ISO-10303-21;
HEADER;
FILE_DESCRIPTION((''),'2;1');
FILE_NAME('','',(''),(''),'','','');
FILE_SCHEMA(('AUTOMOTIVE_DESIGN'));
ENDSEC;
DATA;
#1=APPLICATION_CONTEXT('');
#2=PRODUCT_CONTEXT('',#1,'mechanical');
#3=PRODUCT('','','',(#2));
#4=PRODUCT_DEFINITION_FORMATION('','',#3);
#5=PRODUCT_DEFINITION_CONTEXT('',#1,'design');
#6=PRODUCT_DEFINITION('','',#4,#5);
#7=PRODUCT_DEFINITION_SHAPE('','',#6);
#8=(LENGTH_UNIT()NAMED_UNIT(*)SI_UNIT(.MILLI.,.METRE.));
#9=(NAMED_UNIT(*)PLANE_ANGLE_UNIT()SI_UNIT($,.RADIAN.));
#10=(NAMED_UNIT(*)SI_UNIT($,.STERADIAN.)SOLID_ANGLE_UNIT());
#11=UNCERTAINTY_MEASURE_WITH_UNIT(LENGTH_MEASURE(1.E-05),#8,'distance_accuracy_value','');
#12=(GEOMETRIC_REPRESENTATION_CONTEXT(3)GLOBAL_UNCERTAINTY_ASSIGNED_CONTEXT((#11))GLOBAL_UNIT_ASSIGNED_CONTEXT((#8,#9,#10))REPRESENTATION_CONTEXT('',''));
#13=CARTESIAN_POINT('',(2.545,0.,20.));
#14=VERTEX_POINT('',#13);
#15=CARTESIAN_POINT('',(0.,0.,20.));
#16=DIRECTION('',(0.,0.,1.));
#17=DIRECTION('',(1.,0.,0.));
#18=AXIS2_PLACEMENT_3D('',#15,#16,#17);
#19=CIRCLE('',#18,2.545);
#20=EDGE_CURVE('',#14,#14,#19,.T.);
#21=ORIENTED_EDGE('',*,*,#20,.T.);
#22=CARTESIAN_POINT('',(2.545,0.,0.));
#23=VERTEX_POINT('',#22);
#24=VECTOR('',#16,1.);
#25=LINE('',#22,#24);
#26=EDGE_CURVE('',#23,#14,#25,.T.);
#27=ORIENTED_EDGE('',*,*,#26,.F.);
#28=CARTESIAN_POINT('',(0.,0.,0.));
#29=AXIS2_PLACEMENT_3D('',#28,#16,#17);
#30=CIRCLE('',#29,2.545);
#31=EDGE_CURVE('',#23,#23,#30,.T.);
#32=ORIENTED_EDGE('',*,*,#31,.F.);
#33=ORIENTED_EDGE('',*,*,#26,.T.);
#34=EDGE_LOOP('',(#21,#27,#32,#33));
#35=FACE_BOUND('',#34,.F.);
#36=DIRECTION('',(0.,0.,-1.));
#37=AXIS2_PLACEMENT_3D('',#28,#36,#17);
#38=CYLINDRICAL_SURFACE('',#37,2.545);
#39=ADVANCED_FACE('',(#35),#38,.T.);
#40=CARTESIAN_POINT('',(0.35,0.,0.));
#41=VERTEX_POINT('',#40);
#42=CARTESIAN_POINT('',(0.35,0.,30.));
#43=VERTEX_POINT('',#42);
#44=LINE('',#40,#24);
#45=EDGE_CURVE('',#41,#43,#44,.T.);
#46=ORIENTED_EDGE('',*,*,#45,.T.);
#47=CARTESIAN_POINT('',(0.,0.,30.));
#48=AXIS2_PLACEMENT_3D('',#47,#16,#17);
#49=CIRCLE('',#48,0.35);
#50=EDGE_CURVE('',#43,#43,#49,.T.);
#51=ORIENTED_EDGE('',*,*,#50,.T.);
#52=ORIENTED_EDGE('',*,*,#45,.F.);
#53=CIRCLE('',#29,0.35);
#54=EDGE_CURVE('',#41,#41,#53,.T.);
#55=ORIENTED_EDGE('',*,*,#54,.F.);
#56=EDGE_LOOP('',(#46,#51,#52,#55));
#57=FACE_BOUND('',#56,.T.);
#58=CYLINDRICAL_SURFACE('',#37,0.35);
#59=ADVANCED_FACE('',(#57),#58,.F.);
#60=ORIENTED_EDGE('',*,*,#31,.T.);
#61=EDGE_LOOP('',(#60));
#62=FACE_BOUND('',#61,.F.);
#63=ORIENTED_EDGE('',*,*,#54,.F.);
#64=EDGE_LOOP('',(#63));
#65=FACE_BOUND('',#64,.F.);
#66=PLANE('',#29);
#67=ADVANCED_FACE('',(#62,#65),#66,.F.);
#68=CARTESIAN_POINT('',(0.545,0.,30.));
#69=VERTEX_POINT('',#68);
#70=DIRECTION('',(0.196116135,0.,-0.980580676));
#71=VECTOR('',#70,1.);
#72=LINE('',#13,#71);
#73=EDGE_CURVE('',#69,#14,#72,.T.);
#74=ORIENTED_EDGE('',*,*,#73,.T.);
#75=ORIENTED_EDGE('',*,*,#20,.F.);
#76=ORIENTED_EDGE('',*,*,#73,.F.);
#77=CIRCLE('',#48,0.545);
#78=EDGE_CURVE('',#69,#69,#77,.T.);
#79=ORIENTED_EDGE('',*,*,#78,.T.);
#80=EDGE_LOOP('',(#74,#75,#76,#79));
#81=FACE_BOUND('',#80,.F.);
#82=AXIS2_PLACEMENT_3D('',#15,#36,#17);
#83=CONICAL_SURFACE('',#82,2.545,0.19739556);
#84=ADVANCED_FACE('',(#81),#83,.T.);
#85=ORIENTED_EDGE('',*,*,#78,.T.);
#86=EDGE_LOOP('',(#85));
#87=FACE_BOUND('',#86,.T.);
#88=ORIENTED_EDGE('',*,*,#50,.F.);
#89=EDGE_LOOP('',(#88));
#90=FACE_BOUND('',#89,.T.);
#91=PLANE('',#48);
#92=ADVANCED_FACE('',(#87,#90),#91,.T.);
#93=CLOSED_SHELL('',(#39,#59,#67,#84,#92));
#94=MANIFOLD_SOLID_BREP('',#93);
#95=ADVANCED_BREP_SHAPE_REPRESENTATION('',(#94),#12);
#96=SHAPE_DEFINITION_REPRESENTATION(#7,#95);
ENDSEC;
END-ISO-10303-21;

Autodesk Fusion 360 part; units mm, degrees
sketch "Sketch1" plane through (0, 0, 0) normal (0, 0, 1) x (1, 0, 0)
  circle A0 centre (0, 0) radius 0.35
  circle A1 centre (0, 0) radius 2.545
  dimension "d1" = 0.7
  dimension "d2" = 5.09
extrude "Extrude1" add sketch "Sketch1" along normal blind 30
chamfer "Chamfer1" distance 2 distance2 10 1 edges at (-2.3728, -0.9203, 30) measured on face at (1.8039, -0.1264, 30)
